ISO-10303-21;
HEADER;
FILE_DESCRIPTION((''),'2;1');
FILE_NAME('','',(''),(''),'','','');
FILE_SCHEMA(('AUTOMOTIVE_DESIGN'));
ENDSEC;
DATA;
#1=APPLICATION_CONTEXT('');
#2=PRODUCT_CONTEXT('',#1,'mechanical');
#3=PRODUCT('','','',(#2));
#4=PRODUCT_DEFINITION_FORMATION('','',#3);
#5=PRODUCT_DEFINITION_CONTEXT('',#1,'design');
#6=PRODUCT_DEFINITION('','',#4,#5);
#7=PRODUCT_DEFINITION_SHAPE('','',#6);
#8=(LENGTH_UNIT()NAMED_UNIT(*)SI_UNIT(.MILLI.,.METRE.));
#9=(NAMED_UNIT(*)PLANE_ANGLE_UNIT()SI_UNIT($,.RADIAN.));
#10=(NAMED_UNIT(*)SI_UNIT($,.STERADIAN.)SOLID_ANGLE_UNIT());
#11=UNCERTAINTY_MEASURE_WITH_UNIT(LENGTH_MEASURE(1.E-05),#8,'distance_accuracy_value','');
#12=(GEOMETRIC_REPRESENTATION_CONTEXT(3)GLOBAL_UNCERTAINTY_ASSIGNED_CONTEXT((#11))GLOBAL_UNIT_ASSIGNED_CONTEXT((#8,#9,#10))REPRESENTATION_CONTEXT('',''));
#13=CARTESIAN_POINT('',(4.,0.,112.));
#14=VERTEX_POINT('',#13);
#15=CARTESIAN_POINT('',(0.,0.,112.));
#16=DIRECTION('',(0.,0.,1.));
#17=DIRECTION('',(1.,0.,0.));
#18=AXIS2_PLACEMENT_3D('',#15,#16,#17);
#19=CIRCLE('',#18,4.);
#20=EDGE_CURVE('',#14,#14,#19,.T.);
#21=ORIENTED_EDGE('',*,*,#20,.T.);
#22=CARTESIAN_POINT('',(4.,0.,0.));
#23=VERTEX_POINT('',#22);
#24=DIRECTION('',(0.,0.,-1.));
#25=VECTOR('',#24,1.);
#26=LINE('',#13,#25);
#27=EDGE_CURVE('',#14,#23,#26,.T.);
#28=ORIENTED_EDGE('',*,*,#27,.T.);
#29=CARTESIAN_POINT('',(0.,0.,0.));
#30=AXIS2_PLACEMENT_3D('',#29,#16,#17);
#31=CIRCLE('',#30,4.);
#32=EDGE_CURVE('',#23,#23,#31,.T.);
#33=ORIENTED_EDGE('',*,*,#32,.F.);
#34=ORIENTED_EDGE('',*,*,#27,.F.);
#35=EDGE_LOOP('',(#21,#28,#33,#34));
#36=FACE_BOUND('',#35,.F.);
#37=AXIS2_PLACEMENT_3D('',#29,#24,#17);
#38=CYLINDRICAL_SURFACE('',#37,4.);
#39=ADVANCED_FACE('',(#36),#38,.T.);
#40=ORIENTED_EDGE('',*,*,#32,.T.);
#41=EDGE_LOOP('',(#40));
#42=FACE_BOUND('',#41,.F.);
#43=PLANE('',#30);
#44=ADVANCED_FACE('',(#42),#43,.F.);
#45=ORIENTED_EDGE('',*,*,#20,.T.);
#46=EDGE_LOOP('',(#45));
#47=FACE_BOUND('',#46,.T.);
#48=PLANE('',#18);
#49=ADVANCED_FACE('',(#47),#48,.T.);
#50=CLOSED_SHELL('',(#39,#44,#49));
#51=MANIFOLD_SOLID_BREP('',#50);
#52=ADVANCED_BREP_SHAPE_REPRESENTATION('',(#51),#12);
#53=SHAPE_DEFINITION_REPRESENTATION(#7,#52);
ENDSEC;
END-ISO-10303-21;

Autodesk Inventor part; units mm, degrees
ref_plane "YZ Plane" through (0, 0, 0) normal (1, 0, 0) x (0, 1, 0)
ref_plane "XZ Plane" through (0, 0, 0) normal (0, 1, 0) x (-1, 0, 0)
ref_plane "XY Plane" through (0, 0, 0) normal (0, 0, 1) x (1, 0, 0)
sketch "Sketch1" plane through (0, 0, 0) normal (0, 0, 1) x (1, 0, 0)
  circle A0 centre (0, 0) radius 4
  dimension "d0" = 8
extrude "Extrusion1" add sketch "Sketch1" along normal blind 100
sketch "Sketch2" plane through (0, 0, 100) normal (0, 0, 1) x (1, 0, 0)
  circle A0 centre (0, 0) radius 4
extrude "Extrusion2" add sketch "Sketch2" along normal blind 12
properties part number "checking"
